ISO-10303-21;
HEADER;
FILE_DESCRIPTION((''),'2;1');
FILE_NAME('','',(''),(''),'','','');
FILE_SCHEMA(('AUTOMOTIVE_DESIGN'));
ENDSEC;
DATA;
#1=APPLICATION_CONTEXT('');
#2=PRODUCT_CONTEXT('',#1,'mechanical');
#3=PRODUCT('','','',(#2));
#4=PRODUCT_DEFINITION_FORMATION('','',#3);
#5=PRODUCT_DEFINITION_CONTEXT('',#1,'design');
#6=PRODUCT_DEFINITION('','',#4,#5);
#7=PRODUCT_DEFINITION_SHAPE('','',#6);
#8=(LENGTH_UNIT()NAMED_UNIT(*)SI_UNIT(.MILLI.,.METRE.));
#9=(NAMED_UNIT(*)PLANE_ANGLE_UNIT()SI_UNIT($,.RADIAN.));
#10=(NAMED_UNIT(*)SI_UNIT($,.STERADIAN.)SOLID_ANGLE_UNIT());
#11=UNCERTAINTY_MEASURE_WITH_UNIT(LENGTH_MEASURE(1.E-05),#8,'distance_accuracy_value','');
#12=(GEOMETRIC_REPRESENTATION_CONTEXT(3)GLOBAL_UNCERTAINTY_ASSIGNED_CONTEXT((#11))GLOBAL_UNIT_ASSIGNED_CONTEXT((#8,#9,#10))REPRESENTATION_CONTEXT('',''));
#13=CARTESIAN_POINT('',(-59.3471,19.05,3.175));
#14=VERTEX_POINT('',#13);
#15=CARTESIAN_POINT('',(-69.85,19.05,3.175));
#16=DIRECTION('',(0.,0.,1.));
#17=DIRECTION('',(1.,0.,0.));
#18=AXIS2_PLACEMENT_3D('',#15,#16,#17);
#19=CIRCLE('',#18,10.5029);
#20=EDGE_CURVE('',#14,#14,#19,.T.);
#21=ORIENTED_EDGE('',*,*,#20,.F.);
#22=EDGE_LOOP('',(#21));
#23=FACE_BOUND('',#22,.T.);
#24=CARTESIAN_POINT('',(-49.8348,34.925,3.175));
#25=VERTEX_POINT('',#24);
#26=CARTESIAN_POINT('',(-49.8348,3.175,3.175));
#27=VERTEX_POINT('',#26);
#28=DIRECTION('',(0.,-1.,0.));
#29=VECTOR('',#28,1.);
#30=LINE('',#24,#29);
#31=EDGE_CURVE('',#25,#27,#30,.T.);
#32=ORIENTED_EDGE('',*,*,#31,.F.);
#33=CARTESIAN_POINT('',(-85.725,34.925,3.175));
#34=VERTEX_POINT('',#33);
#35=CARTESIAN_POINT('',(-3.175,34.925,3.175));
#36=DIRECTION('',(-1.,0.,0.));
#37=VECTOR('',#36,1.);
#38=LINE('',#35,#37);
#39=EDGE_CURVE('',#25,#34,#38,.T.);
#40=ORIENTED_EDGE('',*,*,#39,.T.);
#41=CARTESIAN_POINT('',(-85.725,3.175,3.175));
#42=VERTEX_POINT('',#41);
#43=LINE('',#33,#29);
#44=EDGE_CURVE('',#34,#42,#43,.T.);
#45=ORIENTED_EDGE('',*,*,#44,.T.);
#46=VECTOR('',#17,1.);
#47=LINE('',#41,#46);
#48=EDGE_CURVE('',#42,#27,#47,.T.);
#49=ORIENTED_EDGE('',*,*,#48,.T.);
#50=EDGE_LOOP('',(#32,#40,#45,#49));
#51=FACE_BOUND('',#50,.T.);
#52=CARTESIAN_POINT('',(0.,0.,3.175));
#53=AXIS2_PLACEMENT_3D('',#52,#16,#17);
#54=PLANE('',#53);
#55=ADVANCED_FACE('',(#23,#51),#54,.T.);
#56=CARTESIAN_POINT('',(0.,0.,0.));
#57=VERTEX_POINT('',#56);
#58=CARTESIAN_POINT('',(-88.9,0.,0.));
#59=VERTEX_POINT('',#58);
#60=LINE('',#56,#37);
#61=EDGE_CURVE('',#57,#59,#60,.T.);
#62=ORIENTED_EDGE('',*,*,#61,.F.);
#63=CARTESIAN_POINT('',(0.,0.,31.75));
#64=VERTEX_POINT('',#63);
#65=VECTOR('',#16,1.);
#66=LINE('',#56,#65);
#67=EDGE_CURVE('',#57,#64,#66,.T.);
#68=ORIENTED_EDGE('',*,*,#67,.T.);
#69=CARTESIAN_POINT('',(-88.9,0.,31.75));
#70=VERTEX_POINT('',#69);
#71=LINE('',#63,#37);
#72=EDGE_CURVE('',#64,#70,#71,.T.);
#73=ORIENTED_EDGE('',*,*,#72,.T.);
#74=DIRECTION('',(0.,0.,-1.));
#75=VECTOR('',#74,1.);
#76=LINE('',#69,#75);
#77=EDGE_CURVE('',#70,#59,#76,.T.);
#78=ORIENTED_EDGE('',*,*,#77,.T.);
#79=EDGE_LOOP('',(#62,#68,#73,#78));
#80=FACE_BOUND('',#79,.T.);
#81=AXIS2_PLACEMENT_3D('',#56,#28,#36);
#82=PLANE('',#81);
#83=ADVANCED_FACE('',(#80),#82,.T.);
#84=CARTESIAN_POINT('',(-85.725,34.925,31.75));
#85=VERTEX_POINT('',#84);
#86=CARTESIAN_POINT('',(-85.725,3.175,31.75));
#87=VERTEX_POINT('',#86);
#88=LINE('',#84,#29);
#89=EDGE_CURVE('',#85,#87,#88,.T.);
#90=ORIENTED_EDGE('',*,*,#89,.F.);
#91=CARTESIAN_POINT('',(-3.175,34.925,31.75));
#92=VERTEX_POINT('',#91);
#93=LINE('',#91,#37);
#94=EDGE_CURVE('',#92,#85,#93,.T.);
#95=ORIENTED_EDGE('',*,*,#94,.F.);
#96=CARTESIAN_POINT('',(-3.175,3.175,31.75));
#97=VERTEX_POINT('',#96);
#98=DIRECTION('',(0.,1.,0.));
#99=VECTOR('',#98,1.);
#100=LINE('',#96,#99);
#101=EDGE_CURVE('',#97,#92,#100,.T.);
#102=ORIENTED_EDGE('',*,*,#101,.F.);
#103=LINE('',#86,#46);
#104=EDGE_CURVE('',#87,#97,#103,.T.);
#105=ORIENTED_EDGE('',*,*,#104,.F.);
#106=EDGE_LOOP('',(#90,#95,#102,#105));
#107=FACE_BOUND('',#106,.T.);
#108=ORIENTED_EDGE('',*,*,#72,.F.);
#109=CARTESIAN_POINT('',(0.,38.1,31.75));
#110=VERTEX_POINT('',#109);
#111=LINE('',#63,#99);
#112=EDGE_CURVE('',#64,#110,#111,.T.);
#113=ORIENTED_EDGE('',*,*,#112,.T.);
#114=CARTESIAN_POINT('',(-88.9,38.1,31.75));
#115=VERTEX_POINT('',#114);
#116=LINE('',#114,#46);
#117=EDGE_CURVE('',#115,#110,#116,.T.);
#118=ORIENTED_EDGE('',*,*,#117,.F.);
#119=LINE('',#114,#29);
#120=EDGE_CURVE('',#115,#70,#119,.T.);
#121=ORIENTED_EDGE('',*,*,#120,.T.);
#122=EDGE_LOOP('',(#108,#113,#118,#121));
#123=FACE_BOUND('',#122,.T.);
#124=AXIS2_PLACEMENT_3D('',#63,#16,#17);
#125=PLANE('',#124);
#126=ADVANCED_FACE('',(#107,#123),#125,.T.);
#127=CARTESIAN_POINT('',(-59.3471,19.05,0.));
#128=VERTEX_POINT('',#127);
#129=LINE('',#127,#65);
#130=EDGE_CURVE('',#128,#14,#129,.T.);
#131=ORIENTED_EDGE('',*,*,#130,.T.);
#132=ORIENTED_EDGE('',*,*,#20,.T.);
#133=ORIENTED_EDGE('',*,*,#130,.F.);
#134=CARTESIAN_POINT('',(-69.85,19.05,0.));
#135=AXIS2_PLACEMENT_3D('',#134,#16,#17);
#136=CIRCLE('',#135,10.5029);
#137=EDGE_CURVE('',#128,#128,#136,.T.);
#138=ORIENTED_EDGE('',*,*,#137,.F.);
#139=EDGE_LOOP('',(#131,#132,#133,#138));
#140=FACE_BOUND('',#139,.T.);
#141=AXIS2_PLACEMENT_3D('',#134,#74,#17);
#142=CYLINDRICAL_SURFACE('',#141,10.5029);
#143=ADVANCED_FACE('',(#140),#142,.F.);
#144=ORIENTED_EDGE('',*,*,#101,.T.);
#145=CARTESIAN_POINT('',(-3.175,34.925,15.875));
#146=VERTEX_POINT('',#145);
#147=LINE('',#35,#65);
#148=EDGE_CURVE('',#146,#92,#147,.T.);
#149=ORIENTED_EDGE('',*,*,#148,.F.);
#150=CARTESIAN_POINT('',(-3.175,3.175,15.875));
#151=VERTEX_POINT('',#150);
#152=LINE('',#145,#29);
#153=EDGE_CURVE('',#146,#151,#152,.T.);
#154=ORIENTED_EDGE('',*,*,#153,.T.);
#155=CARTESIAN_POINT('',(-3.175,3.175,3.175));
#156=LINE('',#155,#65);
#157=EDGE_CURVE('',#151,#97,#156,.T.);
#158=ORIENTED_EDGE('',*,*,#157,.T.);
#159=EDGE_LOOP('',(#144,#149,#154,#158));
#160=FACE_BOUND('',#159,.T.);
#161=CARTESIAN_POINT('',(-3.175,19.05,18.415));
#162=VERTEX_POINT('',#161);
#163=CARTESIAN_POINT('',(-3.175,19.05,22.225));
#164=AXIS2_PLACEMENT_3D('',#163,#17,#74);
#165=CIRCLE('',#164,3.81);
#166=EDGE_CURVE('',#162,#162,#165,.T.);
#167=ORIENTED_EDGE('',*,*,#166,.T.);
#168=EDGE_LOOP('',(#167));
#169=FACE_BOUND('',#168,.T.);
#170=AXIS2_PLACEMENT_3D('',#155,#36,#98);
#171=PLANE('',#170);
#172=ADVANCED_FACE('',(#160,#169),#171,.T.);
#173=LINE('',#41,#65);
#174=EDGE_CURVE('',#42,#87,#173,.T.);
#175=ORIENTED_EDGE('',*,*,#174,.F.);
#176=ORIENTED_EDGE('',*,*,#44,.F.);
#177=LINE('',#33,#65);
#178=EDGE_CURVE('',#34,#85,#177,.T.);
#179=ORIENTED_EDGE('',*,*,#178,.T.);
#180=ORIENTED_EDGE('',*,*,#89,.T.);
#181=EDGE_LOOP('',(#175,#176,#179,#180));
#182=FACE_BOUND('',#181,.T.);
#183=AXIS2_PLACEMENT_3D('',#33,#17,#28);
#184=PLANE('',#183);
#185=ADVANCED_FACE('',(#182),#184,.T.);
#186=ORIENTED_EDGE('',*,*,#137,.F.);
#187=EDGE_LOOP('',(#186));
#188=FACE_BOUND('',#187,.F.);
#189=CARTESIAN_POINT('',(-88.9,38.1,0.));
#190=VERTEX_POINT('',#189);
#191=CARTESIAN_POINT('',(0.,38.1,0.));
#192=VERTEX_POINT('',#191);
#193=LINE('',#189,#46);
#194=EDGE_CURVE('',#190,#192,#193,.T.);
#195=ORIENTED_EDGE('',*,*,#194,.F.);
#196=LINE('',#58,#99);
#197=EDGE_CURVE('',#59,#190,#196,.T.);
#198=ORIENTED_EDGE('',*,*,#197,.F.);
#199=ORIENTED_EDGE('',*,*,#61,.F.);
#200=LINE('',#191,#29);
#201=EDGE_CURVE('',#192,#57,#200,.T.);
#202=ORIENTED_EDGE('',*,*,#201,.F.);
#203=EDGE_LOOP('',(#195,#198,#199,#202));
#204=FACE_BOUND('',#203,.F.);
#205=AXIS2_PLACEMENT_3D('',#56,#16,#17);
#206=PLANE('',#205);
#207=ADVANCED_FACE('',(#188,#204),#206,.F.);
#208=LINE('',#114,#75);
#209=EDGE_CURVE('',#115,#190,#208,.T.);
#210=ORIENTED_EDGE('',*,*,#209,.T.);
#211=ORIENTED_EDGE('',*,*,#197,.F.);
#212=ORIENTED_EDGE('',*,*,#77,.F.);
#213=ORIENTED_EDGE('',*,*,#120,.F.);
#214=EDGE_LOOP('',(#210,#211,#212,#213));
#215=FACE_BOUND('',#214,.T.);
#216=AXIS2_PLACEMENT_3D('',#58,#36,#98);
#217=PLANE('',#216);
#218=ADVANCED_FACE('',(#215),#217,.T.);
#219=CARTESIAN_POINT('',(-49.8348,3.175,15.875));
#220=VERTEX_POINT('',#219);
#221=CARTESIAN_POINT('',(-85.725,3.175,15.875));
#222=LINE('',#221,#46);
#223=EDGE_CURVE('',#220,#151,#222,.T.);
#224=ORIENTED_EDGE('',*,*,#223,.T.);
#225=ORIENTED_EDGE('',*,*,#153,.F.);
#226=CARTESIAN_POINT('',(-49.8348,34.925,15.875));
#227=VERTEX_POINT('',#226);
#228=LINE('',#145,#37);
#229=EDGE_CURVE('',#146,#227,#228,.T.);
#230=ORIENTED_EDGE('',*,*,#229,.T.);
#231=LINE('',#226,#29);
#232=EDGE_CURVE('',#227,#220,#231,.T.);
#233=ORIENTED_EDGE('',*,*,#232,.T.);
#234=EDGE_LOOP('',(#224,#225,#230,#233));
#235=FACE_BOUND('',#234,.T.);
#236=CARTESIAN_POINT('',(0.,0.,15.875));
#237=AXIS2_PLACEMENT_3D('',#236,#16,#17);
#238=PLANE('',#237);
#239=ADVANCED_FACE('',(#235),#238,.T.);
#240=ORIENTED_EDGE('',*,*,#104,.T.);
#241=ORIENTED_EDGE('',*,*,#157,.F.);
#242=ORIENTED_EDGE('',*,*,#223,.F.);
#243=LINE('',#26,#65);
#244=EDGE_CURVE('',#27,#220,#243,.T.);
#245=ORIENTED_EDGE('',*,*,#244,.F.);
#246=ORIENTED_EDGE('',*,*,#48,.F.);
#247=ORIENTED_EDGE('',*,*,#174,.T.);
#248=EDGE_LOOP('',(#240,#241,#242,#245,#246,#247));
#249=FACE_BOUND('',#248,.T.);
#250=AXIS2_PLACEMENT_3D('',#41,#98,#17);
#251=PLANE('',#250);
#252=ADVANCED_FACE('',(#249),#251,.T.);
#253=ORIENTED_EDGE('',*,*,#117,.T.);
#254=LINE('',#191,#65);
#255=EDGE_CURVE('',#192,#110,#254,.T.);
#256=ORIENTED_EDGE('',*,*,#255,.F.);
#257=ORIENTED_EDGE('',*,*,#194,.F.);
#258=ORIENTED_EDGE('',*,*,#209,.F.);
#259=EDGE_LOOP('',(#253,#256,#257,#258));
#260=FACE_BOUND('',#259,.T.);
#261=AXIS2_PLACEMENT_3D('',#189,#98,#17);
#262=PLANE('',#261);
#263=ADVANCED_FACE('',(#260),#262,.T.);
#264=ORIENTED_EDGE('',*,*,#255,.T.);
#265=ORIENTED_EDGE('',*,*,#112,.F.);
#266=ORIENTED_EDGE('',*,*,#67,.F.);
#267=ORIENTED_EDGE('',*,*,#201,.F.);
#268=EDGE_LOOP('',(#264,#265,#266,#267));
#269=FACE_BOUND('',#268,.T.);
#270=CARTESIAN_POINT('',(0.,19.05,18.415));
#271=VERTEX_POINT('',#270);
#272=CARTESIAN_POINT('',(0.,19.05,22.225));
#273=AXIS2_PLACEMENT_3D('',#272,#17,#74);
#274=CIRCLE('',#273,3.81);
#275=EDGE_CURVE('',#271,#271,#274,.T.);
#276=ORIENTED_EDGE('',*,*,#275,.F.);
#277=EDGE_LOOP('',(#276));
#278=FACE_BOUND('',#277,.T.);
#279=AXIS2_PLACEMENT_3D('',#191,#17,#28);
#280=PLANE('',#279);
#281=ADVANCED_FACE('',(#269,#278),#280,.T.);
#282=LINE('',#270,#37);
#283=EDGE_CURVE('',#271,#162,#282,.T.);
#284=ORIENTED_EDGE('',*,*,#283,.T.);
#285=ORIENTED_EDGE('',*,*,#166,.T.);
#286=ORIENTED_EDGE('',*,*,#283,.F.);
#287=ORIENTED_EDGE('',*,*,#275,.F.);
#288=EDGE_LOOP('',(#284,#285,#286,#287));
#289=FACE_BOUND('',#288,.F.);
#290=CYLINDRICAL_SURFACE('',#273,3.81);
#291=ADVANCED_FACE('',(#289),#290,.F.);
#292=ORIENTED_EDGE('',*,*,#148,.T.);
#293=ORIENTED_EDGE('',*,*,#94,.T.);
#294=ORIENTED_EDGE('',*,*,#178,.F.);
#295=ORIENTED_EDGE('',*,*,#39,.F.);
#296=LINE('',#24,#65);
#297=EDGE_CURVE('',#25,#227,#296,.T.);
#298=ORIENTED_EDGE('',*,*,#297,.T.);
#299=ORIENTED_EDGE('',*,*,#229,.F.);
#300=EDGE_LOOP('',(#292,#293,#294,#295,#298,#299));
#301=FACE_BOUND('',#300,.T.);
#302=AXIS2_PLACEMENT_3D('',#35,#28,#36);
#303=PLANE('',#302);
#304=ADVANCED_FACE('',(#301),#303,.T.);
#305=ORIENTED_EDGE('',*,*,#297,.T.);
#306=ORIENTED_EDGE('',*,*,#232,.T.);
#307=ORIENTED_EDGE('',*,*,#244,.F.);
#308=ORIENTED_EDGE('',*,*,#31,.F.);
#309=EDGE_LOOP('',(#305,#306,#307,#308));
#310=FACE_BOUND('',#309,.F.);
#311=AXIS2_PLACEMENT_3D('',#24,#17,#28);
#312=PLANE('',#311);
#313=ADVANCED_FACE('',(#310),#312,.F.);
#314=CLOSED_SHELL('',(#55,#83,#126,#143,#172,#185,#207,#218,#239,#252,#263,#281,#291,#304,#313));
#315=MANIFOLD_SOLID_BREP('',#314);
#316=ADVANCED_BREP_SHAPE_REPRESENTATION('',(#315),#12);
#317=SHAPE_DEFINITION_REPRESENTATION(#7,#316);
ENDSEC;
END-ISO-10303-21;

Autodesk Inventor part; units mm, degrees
ref_plane "YZ Plane" through (0, 0, 0) normal (1, 0, 0) x (0, 1, 0)
ref_plane "XZ Plane" through (0, 0, 0) normal (0, 1, 0) x (-1, 0, 0)
ref_plane "XY Plane" through (0, 0, 0) normal (0, 0, 1) x (1, 0, 0)
sketch "Sketch1" plane through (0, 0, 0) normal (0, 0, 1) x (1, 0, 0)
  line L0 (0, 0) -> (-88.9, 0)
  line L1 (-88.9, 0) -> (-88.9, 38.1)
  line L2 (-88.9, 38.1) -> (0, 38.1)
  line L3 (0, 38.1) -> (0, 0)
  circle A0 centre (-69.85, 19.05) radius 10.5029
  dimension "d0" = 88.9
  dimension "d1" = 38.1
  dimension "d2" = 21.0058
  dimension "d3" = 19.05
  dimension "d4" = 19.05
extrude "Extrusion1" add sketch "Sketch1" along normal blind 3.175
sketch "Sketch2" plane through (0, 0, 3.175) normal (0, 0, 1) x (1, 0, 0)
  line L0 (-88.9, 38.1) -> (-88.9, 0) projected
  line L1 (0, 0) -> (0, 38.1) projected
  line L2 (-88.9, 38.1) -> (0, 38.1)
  line L3 (0, 38.1) -> (0, 0)
  line L4 (0, 0) -> (-88.9, 0)
  line L5 (-88.9, 0) -> (-88.9, 38.1)
  line L6 (-3.175, 34.925) -> (-85.725, 34.925)
  line L7 (-85.725, 34.925) -> (-85.725, 3.175)
  line L8 (-85.725, 3.175) -> (-3.175, 3.175)
  line L9 (-3.175, 3.175) -> (-3.175, 34.925)
  dimension "d7" = 3.175
extrude "Extrusion2" add sketch "Sketch2" along normal blind 28.575
sketch "Sketch3" plane through (0, 0, 3.175) normal (0, 0, 1) x (1, 0, 0)
  line L0 (-3.175, 34.925) -> (-3.175, 3.175) projected
  line L1 (-85.725, 3.175) -> (-3.175, 3.175) projected
  line L2 (-3.175, 34.925) -> (-49.8348, 34.925)
  line L3 (-49.8348, 34.925) -> (-49.8348, 3.175)
  line L4 (-49.8348, 3.175) -> (-3.175, 3.175)
  line L5 (-3.175, 3.175) -> (-3.175, 34.925)
  point P0 (0, 0)
  dimension "d10" = 46.6598
extrude "Extrusion3" add sketch "Sketch3" along normal blind 12.7
sketch "Sketch4" plane through (0, 0, 0) normal (1, 0, 0) x (0, 0, -1)
  circle A0 centre (-22.225, 19.05) radius 3.81
  line L0 (-31.75, 0) -> (-31.75, 38.1) projected
  point P0 (0, 0)
  dimension "d13" = 7.62
  dimension "d14" = 9.525
extrude "Extrusion4" cut sketch "Sketch4" against normal blind 19.05
properties part number "escbox"
